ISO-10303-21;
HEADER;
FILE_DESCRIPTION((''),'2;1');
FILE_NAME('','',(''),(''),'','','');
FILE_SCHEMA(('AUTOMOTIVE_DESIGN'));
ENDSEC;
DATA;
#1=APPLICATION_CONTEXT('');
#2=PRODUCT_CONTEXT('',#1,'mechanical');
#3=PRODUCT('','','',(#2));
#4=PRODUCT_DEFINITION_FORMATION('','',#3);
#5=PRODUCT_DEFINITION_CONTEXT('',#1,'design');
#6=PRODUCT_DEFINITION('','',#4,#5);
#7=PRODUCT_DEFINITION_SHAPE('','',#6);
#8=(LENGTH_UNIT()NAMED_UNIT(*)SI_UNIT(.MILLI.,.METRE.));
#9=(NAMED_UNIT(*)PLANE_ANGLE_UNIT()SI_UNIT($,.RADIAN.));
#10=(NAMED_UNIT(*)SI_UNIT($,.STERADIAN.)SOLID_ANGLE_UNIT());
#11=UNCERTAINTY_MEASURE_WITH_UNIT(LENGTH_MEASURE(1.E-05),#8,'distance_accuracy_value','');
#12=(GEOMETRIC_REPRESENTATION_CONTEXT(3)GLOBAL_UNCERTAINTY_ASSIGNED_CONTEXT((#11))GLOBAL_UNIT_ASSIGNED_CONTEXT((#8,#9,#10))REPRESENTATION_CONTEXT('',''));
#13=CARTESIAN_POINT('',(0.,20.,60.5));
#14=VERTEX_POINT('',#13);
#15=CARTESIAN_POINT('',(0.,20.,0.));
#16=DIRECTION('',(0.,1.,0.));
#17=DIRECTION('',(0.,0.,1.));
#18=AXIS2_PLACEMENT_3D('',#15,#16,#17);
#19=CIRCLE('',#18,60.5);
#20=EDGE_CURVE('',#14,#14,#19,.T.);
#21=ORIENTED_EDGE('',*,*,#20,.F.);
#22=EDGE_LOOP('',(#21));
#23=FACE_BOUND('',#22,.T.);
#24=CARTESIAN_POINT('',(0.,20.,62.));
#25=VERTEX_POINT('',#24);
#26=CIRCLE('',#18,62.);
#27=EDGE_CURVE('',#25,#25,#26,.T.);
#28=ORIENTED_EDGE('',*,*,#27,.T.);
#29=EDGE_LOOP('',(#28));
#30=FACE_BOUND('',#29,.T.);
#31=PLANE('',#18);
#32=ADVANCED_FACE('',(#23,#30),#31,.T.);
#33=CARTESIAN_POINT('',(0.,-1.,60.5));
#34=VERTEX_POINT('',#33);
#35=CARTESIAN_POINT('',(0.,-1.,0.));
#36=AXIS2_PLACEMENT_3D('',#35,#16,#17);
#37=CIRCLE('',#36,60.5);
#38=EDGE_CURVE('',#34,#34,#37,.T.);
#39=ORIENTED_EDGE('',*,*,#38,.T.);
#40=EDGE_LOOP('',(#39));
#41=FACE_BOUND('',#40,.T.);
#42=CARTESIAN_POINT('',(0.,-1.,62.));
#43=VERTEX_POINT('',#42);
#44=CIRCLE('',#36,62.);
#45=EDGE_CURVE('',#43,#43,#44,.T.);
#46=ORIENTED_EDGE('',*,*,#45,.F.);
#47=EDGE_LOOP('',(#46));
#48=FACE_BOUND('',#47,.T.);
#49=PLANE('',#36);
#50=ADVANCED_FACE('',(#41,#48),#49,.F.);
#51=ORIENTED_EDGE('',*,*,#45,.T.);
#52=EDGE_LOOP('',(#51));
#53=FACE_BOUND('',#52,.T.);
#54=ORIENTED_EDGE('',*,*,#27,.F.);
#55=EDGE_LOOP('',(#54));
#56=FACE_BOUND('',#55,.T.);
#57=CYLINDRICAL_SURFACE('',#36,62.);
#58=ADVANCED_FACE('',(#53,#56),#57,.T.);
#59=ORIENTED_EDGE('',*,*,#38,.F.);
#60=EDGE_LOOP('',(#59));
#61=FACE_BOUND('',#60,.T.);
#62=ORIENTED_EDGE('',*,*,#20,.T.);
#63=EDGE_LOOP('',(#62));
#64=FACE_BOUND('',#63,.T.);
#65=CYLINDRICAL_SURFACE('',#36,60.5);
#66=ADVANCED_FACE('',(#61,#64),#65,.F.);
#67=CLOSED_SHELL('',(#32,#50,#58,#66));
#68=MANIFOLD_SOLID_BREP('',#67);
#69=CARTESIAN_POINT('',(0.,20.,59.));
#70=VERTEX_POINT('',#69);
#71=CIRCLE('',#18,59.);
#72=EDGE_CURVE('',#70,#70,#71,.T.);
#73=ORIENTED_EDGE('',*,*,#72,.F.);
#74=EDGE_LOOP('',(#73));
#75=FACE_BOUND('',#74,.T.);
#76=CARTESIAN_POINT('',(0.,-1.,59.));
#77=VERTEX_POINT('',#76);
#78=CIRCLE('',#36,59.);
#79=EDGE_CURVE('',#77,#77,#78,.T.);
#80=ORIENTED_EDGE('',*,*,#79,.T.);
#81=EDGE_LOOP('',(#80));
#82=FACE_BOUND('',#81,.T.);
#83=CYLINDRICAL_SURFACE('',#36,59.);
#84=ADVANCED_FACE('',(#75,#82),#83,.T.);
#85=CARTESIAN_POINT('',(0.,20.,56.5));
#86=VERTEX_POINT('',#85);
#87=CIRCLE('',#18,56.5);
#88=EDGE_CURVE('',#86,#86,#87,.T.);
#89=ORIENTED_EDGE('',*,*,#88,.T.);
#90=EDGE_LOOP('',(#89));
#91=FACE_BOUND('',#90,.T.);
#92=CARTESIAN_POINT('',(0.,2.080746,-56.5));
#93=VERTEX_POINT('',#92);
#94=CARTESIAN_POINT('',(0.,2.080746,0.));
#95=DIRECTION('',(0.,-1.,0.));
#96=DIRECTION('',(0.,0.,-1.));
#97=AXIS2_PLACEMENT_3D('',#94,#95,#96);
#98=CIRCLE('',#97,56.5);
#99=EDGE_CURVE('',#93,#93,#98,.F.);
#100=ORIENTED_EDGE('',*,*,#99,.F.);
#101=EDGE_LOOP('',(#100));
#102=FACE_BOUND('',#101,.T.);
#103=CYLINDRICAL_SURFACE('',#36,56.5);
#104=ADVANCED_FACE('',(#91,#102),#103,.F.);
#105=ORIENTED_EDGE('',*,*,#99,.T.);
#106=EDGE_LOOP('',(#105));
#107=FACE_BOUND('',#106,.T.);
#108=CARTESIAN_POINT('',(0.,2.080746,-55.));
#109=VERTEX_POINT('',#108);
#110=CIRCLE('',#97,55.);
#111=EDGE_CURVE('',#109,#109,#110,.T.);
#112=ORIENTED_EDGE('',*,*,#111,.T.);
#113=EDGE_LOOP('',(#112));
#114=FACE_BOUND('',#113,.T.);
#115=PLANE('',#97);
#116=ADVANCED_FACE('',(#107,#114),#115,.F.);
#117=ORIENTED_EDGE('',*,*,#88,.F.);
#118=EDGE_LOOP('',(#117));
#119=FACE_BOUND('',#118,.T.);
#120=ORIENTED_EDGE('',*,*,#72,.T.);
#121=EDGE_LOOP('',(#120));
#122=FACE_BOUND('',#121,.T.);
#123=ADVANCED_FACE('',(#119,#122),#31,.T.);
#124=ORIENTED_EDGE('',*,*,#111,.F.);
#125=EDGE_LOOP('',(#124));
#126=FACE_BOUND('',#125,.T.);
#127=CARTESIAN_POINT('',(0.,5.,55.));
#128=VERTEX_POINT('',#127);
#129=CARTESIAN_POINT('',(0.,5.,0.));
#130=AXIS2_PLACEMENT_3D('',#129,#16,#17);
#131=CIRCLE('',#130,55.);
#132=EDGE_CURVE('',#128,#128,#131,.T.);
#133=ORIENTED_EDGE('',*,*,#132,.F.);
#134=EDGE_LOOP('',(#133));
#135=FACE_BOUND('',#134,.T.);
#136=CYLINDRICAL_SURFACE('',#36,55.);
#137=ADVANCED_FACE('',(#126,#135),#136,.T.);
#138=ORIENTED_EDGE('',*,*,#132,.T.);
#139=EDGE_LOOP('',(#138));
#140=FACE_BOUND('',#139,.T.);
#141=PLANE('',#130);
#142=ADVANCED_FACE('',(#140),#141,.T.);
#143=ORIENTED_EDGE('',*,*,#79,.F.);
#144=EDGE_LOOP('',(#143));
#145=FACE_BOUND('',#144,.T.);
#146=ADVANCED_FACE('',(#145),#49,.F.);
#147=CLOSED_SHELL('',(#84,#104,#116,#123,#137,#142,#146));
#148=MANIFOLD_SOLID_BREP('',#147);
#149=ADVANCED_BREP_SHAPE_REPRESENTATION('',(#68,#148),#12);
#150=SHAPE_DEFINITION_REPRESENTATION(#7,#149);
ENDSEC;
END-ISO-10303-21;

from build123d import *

# Parameters (mm, degrees)
BOSS_EXTRUDE1_DEPTH        = 20
BOSS_EXTRUDE1_DEPTH_BACK   = 1
SKETCH2_R                  = 55
BOSS_EXTRUDE1_2_DEPTH      = 20
BOSS_EXTRUDE1_2_DEPTH_BACK = 1
SKETCH2_R_2                = 59
SKETCH2_R_3                = 56.5
BOSS_EXTRUDE1_3_DEPTH      = 20
BOSS_EXTRUDE1_3_DEPTH_BACK = 1
SKETCH2_R_4                = 62
SKETCH2_R_5                = 60.5
SKETCH6_R                  = 55
CUT_EXTRUDE1_DEPTH         = 15
SKETCH7_R                  = 56.5
SKETCH7_R_2                = 55
BOSS_EXTRUDE3_DEPTH        = 3.080746367


with BuildPart() as part:
    # Sketch2 → Boss-Extrude1 (new, two sides: drawn at the far end of the back side and taken through both)
    with BuildSketch(Plane(origin=(0, 0, 0), x_dir=(1, 0, 0), z_dir=(0, 1, 0)).offset(-BOSS_EXTRUDE1_DEPTH_BACK)):
        with Locations(Location((0, 0, 0), (0, 0, 270))):
            Circle(SKETCH2_R)
    extrude(amount=BOSS_EXTRUDE1_DEPTH + BOSS_EXTRUDE1_DEPTH_BACK)

    # Sketch6 → Cut-Extrude1 (cut)
    with BuildSketch(Plane(origin=(0, 20, 0), x_dir=(1, 0, 0), z_dir=(0, 1, 0))):
        with Locations(Location((0, 0, 0), (0, 0, 270))):
            Circle(SKETCH6_R)
    extrude(amount=-CUT_EXTRUDE1_DEPTH, mode=Mode.SUBTRACT)



with BuildPart() as body_2:
    # Sketch2 → Boss-Extrude1 2 (new, two sides: drawn at the far end of the back side and taken through both)
    with BuildSketch(Plane(origin=(0, 0, 0), x_dir=(1, 0, 0), z_dir=(0, 1, 0)).offset(-BOSS_EXTRUDE1_2_DEPTH_BACK)):
        with Locations(Location((0, 0, 0), (0, 0, 270))):
            Circle(SKETCH2_R_2)
        with Locations(Location((0, 0, 0), (0, 0, 270))):
            Circle(SKETCH2_R_3, mode=Mode.SUBTRACT)
    extrude(amount=BOSS_EXTRUDE1_2_DEPTH + BOSS_EXTRUDE1_2_DEPTH_BACK)


with BuildPart() as body_3:
    # Sketch2 → Boss-Extrude1 3 (new, two sides: drawn at the far end of the back side and taken through both)
    with BuildSketch(Plane(origin=(0, 0, 0), x_dir=(1, 0, 0), z_dir=(0, 1, 0)).offset(-BOSS_EXTRUDE1_3_DEPTH_BACK)):
        with Locations(Location((0, 0, 0), (0, 0, 270))):
            Circle(SKETCH2_R_4)
        with Locations(Location((0, 0, 0), (0, 0, 270))):
            Circle(SKETCH2_R_5, mode=Mode.SUBTRACT)
    extrude(amount=BOSS_EXTRUDE1_3_DEPTH + BOSS_EXTRUDE1_3_DEPTH_BACK)


with BuildPart() as part_1:
    add(part.part)

    add(body_2.part)  # Boss-Extrude3 merges body 2
    # Sketch7 → Boss-Extrude3 (add)
    with BuildSketch(Plane.XZ.offset(1)):
        with Locations(Location((0, 0, 0), (0, 0, 90))):
            Circle(SKETCH7_R)
        with Locations(Location((0, 0, 0), (0, 0, 90))):
            Circle(SKETCH7_R_2, mode=Mode.SUBTRACT)
    extrude(amount=-BOSS_EXTRUDE3_DEPTH)


solid = Compound([body_3.part, part_1.part])
